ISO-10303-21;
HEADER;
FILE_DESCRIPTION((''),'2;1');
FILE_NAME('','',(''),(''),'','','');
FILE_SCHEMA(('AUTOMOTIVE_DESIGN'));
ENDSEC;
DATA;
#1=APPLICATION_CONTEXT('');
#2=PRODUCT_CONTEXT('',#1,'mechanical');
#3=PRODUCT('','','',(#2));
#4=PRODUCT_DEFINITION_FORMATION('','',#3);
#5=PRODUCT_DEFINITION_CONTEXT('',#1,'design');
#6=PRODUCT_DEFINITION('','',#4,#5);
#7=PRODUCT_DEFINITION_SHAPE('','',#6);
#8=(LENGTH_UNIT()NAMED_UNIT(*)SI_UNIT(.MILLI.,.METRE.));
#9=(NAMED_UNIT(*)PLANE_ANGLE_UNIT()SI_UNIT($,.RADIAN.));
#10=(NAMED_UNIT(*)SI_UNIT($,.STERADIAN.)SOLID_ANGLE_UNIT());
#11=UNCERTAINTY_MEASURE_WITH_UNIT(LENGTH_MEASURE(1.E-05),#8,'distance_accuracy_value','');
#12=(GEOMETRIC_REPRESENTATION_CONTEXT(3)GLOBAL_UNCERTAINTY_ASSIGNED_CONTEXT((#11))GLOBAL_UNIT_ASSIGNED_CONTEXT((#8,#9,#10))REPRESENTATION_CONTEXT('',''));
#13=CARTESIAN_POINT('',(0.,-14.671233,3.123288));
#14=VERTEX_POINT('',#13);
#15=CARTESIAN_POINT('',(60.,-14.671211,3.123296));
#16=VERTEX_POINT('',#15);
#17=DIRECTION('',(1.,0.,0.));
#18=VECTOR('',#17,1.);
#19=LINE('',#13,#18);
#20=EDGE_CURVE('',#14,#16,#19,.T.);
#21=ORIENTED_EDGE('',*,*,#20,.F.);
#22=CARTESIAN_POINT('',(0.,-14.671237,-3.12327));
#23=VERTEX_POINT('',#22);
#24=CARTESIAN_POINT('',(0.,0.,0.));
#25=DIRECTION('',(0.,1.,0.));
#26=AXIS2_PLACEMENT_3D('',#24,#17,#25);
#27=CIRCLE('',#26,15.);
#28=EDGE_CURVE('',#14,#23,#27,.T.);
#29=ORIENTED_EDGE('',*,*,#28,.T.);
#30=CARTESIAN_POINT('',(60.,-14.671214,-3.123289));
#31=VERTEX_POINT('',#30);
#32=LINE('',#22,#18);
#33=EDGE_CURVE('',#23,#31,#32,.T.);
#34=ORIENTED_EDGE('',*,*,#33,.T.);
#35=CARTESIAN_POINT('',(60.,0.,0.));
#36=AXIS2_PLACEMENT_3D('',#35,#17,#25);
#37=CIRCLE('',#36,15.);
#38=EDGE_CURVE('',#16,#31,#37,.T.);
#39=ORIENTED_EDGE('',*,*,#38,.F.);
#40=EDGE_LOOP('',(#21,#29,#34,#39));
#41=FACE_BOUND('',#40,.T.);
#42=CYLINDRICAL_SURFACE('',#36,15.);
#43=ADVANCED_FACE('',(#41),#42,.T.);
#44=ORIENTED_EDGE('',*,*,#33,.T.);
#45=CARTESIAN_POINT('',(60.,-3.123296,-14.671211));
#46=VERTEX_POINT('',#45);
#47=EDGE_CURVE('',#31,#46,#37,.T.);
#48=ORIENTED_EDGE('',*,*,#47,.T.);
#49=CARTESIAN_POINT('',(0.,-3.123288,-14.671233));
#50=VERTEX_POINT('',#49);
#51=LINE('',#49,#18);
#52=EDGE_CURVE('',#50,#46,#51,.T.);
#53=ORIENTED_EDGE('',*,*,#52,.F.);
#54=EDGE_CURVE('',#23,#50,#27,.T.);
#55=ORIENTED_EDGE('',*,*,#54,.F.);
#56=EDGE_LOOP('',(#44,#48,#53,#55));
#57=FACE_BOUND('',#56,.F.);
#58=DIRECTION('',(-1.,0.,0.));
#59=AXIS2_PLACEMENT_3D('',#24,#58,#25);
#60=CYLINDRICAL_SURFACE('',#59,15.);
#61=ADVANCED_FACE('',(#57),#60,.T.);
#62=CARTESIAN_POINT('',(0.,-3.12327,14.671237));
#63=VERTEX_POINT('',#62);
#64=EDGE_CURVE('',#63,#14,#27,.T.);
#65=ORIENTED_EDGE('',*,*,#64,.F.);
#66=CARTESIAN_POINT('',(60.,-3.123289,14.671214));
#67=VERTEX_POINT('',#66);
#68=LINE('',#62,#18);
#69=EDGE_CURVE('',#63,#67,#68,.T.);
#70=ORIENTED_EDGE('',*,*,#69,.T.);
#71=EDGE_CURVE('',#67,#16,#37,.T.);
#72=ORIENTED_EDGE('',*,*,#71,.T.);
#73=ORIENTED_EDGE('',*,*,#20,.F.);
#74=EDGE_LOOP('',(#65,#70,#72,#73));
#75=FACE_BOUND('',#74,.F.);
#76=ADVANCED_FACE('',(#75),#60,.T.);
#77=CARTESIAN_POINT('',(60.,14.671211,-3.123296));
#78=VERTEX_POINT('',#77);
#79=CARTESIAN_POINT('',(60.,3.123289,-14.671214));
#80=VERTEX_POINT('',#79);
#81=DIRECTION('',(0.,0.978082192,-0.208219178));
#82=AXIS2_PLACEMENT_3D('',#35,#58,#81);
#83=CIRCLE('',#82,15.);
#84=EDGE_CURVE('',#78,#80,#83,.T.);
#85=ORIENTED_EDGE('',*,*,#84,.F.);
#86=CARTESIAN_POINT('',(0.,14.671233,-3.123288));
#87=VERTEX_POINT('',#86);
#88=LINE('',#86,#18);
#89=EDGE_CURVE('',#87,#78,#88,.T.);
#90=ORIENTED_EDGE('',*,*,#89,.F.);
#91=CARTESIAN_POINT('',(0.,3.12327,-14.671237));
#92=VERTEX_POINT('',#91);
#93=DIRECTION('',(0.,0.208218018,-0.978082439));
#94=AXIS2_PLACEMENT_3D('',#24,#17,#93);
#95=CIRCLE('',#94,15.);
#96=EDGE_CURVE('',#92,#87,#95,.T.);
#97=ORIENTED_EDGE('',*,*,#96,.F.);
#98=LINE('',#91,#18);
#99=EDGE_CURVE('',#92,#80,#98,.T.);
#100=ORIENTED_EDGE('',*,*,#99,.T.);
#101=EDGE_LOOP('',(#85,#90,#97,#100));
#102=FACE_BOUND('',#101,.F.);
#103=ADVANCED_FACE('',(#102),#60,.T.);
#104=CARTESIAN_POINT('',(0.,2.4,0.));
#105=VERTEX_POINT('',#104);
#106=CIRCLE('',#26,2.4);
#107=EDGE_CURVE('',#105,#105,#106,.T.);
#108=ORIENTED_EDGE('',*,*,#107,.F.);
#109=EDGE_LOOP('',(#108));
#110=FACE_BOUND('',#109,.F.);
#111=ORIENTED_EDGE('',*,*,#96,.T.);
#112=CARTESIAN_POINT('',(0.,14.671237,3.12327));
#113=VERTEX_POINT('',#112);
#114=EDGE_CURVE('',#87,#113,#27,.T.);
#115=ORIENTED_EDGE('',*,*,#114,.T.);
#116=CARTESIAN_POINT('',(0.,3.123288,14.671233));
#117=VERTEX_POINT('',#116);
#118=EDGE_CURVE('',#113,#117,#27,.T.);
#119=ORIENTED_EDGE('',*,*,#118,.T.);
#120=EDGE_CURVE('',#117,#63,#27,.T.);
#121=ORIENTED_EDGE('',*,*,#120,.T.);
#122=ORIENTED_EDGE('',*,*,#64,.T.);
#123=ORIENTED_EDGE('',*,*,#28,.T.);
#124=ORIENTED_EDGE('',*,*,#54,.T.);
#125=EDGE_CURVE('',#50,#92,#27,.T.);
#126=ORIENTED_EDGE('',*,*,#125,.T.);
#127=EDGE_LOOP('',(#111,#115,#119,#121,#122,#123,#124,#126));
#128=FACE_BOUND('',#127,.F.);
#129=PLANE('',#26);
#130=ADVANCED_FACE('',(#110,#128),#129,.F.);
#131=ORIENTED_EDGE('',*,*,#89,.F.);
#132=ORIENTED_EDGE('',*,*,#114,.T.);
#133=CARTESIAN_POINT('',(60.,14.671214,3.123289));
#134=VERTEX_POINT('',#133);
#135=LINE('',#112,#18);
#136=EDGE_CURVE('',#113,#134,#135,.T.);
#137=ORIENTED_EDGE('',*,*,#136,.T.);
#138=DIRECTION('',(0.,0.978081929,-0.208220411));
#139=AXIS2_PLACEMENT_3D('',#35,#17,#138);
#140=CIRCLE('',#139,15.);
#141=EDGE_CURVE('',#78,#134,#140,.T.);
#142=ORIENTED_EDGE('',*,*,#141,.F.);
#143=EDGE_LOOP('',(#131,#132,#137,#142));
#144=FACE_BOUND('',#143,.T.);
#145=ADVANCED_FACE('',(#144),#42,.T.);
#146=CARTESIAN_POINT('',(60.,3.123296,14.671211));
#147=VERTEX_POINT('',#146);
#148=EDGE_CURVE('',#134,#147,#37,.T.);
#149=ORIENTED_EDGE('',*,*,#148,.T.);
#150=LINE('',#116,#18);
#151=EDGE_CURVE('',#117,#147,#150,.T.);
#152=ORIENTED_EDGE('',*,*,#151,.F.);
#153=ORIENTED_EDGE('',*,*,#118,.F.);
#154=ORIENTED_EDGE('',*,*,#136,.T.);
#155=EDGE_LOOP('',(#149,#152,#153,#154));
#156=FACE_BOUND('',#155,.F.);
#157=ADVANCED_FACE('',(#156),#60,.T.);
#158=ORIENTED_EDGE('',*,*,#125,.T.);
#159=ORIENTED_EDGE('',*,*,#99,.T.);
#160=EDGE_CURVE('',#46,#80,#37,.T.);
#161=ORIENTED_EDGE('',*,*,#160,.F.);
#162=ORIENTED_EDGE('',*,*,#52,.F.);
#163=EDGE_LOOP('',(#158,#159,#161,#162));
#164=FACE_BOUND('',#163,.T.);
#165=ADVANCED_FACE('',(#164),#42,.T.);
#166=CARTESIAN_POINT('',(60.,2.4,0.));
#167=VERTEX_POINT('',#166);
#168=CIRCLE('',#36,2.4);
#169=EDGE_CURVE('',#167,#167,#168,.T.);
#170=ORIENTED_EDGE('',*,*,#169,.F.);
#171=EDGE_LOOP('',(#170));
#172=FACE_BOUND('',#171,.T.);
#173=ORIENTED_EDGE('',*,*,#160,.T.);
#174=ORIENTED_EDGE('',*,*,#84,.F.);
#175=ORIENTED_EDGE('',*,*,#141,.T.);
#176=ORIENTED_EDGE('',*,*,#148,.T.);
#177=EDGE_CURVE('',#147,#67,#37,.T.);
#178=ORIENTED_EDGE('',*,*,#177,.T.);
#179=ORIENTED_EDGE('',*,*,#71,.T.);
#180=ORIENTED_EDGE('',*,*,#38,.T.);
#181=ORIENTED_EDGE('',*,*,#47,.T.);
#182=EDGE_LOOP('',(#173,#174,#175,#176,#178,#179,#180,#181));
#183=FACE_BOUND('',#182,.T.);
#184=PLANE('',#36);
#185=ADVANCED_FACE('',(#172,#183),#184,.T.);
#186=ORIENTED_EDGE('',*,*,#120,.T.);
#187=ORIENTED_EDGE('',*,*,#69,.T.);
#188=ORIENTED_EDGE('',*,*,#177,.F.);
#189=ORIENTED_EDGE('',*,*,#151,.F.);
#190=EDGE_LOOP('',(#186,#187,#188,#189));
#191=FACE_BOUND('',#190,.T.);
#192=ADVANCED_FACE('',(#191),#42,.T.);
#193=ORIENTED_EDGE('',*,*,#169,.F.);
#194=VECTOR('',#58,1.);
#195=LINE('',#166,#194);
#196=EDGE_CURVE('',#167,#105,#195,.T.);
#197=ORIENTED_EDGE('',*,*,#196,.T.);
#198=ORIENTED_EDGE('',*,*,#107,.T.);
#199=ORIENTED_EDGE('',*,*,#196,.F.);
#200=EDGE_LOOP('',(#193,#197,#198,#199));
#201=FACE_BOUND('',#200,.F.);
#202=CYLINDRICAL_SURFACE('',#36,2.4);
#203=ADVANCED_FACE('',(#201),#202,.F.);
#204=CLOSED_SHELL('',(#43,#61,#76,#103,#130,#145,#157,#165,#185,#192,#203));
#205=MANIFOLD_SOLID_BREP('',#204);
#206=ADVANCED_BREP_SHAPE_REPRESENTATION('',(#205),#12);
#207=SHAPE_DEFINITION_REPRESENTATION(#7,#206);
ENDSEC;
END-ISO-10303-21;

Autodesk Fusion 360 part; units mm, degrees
sketch "Sketch1" plane through (0, 0, 0) normal (1, 0, 0) x (0, 1, 0)
  circle A0 centre (0, 0) radius 15
  line L0 (6.3897, -13.8986) -> (5.9544, -13.7676)
  line L1 (0, 15) -> (0, 23)
  line L2 (0, 15) -> (-3, 15)
  line L3 (0, 15) -> (3, 15)
  line L4 (0, 23) -> (3, 15)
  line L5 (0, 23) -> (-3, 15)
  line L6 (-3, 15) -> (-3.1925, 14.4866)
  line L7 (3, 15) -> (3.1794, 14.5216)
  circle A1 centre (0, 0) radius 15
  circle A2 centre (0, 0) radius 15
  line L8 (-23, 0) -> (-15, -3)
  line L9 (-23, 0) -> (-15, 3)
  line L10 (-15, 3) -> (-14.5216, 3.1794)
  line L11 (-15, -3) -> (-14.4866, -3.1925)
  circle A3 centre (0, 0) radius 15
  line L12 (0, -23) -> (3, -15)
  line L13 (0, -23) -> (-3, -15)
  line L14 (-3, -15) -> (-3.1794, -14.5216)
  line L15 (3, -15) -> (3.1925, -14.4866)
  circle A4 centre (0, 0) radius 15
  line L16 (23, 0) -> (15, 3)
  line L17 (23, 0) -> (15, -3)
  line L18 (15, -3) -> (14.5216, -3.1794)
  line L19 (15, 3) -> (14.4866, 3.1925)
  circle A5 centre (0, 0) radius 15
  dimension "d1" = 30
  dimension "d16" = 8
  dimension "d17" = 3
  dimension "d18" = 3
  dimension "d31" = 360
extrude "Extrude9" add sketch "Sketch1" along normal blind 60
sketch "Sketch8" plane through (60, 0, 0) normal (1, 0, 0) x (0, 1, 0)
  line L0 (23, 0) -> (14.6712, 3.1233)
  arc A0 (14.6712, 3.1233) -> (3.1233, 14.6712) centre (0, 0) ccw
  line L1 (3.1233, 14.6712) -> (0, 23)
  line L2 (0, 23) -> (-3.1233, 14.6712)
  arc A1 (-3.1233, 14.6712) -> (-14.6712, 3.1233) centre (0, 0) ccw
  line L3 (-14.6712, 3.1233) -> (-23, 0)
  line L4 (-23, 0) -> (-14.6712, -3.1233)
  arc A2 (-14.6712, -3.1233) -> (-3.1233, -14.6712) centre (0, 0) ccw
  line L5 (-3.1233, -14.6712) -> (0, -23)
  line L6 (0, -23) -> (3.1233, -14.6712)
  arc A3 (3.1233, -14.6712) -> (14.6712, -3.1233) centre (0, 0) ccw
  line L7 (14.6712, -3.1233) -> (23, 0)
  circle A4 centre (0, 0) radius 2.4
  dimension "d34" = 4.8
extrude "Extrude10" cut sketch "Sketch8" against normal blind 85 contours A4
sketch "Sketch9" plane through (60, 0, 0) normal (1, 0, 0) x (0, 1, 0)
  circle A0 centre (0, 0) radius 2.4
  line L0 (23, 0) -> (14.6712, 3.1233)
  arc A1 (14.6712, 3.1233) -> (3.1233, 14.6712) centre (0, 0) ccw
  line L1 (3.1233, 14.6712) -> (0, 23)
  line L2 (0, 23) -> (-3.1233, 14.6712)
  arc A2 (-3.1233, 14.6712) -> (-14.6712, 3.1233) centre (0, 0) ccw
  line L3 (-14.6712, 3.1233) -> (-23, 0)
  line L4 (-23, 0) -> (-14.6712, -3.1233)
  arc A3 (-14.6712, -3.1233) -> (-3.1233, -14.6712) centre (0, 0) ccw
  line L5 (-3.1233, -14.6712) -> (0, -23)
  line L6 (0, -23) -> (3.1233, -14.6712)
  arc A4 (3.1233, -14.6712) -> (14.6712, -3.1233) centre (0, 0) ccw
  line L7 (14.6712, -3.1233) -> (23, 0)
  circle A5 centre (0, 0) radius 23
  circle A6 centre (0, 0) radius 15
extrude "Extrude11" cut sketch "Sketch9" against normal blind 75 contours L0 L7 A6 | L1 L2 A6 | L5 L6 A6 | L3 L4 A6
sketch "Sketch10" plane through (0, 0, 0) normal (1, 0, 0) x (0, 1, 0)
  circle A0 centre (0, 0) radius 23
  circle A1 centre (0, 0) radius 15.0333
